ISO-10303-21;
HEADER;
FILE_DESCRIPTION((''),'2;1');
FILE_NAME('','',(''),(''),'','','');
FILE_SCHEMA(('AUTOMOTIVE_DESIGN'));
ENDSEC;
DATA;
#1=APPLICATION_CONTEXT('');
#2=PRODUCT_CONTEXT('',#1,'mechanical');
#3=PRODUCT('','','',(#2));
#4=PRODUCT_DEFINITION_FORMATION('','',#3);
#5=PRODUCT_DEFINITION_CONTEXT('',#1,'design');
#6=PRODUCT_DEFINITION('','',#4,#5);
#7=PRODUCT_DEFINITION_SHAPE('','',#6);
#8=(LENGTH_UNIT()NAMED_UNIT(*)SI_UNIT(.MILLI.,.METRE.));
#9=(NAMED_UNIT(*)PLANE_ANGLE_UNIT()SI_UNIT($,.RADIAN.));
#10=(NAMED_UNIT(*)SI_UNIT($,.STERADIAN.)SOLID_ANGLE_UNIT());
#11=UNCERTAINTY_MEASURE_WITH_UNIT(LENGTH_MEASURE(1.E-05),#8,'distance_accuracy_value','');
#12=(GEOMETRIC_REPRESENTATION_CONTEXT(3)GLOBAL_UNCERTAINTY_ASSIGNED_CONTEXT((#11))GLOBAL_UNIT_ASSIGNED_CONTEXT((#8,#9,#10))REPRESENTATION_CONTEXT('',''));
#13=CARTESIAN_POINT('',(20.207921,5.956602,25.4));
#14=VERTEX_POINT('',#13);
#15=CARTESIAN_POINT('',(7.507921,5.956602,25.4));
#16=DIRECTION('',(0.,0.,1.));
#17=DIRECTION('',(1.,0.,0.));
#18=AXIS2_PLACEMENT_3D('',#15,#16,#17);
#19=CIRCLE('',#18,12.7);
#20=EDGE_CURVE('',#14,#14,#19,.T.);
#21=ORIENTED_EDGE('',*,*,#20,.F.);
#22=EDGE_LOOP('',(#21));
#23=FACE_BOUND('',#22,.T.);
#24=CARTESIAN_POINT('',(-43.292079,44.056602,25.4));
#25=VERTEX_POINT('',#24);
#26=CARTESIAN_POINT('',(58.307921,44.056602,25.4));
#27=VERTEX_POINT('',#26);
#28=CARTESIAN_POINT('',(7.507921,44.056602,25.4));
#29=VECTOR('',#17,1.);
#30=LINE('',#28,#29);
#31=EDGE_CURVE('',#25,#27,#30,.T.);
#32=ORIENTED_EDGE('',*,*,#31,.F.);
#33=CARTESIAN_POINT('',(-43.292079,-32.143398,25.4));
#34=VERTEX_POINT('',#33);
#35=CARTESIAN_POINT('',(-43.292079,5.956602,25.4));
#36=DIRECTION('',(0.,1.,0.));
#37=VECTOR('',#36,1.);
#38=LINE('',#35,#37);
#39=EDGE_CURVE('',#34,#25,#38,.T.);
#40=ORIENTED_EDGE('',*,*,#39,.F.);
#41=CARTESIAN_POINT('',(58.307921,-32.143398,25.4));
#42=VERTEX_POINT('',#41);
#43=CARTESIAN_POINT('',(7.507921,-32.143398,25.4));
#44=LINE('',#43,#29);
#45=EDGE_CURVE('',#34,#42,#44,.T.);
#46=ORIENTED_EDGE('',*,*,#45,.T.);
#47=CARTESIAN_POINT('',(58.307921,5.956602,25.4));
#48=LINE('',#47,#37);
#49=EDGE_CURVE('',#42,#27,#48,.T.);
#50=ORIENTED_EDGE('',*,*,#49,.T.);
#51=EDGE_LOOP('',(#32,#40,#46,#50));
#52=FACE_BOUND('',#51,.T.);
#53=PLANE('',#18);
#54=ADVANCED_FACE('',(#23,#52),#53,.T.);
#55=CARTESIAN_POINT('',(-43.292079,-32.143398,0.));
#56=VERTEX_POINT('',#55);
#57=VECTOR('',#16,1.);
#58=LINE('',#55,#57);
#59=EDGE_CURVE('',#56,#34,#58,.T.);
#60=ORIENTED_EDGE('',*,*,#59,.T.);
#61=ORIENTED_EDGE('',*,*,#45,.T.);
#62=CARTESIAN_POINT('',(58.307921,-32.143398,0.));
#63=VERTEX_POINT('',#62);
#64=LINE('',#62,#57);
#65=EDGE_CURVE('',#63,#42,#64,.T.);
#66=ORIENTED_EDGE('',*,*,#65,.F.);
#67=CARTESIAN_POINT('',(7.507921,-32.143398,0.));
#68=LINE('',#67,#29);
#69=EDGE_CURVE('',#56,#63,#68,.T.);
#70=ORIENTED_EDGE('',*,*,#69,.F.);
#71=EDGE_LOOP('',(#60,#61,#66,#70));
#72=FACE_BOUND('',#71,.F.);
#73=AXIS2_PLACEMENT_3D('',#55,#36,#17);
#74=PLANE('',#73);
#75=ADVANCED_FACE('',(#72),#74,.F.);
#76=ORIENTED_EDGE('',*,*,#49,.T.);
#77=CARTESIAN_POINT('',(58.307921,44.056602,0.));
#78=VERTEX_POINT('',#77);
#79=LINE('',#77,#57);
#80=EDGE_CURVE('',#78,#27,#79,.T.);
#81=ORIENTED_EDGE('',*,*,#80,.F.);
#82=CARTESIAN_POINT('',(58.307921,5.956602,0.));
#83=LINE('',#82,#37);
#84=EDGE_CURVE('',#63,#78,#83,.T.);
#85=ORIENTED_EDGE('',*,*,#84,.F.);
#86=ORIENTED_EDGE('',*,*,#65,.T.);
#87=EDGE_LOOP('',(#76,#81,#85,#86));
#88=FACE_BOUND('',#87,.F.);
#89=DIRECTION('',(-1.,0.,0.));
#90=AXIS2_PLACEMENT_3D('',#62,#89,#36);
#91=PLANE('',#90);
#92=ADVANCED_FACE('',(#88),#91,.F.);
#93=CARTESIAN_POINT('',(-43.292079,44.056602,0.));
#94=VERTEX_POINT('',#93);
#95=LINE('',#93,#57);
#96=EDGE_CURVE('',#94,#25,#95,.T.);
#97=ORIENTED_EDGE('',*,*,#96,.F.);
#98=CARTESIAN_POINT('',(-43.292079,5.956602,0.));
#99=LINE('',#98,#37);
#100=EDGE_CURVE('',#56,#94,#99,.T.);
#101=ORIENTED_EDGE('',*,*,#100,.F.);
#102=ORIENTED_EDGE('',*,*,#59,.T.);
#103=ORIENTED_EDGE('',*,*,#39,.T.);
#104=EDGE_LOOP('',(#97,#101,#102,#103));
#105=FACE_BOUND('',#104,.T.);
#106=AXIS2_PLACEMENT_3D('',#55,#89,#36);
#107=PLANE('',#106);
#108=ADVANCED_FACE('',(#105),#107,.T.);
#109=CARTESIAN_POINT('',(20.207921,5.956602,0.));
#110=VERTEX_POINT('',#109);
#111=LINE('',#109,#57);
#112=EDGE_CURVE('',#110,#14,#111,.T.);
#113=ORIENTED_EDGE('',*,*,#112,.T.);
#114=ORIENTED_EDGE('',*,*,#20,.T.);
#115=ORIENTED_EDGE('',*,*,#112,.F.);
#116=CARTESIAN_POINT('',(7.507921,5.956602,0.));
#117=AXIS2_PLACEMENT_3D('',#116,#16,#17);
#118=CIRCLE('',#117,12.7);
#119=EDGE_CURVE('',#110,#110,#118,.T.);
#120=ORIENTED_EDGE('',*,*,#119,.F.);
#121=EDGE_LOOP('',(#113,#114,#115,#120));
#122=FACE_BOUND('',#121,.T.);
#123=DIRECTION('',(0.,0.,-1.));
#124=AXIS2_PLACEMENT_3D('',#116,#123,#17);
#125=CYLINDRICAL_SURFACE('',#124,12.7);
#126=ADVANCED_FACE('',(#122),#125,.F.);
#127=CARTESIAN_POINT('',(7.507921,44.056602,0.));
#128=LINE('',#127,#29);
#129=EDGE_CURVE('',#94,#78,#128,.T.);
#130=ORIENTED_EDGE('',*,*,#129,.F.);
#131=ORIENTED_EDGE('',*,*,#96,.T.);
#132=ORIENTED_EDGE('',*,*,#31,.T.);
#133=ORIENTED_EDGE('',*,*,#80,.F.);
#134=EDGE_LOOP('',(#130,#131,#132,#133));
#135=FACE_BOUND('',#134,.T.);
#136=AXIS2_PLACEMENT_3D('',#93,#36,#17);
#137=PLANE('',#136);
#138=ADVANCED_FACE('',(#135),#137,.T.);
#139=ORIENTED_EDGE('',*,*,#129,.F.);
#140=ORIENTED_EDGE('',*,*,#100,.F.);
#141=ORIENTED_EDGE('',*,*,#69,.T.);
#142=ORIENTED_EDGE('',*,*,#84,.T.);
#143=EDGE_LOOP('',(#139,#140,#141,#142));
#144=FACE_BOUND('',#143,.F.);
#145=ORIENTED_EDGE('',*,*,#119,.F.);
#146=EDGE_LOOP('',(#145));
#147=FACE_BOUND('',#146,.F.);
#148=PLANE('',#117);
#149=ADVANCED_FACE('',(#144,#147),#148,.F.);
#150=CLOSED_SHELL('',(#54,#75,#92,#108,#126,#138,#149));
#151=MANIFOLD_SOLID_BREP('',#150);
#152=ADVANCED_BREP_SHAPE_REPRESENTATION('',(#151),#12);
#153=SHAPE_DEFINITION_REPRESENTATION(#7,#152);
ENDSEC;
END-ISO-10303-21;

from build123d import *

# Parameters (mm, degrees)
F0_W     = 101.6
F0_H     = 76.2
F0_R     = 12.7
F1_DEPTH = 25.4
F2_R     = 3.175
F4_DEPTH = 25.4


with BuildPart() as f1:
    # F0 (on Top) → F1 (new body)
    with BuildSketch(Plane.XY):
        with Locations((7.50792135, 5.9566022065)):
            Rectangle(F0_W, F0_H)
        with Locations((7.50792135, 5.9566022065)):
            Circle(F0_R, mode=Mode.SUBTRACT)
    extrude(amount=F1_DEPTH)

    # F2
    f2_edges = [f1.edges().sort_by_distance(p)[0] for p in [
        (-43.292079, 5.956602, 25.4),
        (7.507921, -32.143398, 25.4),
        (58.307921, 5.956602, 25.4),
        (7.507921, 44.056602, 25.4),
        (-5.192079, 5.956602, 25.4),
        (-43.292079, 5.956602, 0),
        (7.507921, -32.143398, 0),
        (58.307921, 5.956602, 0),
        (7.507921, 44.056602, 0),
        (-5.192079, 5.956602, 0),
        (58.307921, 44.056602, 12.7),
        (-43.292079, 44.056602, 12.7),
        (-43.292079, -32.143398, 12.7),
        (58.307921, -32.143398, 12.7),
    ]]
    fillet(f2_edges, radius=F2_R)


with BuildPart() as f4:
    # F0 (on Top) → F4 (new body)
    with BuildSketch(Plane.XY):
        with Locations((7.50792135, 5.9566022065)):
            Rectangle(F0_W, F0_H)
        with Locations((7.50792135, 5.9566022065)):
            Circle(F0_R, mode=Mode.SUBTRACT)
    extrude(amount=F4_DEPTH)


solid = f4.part
